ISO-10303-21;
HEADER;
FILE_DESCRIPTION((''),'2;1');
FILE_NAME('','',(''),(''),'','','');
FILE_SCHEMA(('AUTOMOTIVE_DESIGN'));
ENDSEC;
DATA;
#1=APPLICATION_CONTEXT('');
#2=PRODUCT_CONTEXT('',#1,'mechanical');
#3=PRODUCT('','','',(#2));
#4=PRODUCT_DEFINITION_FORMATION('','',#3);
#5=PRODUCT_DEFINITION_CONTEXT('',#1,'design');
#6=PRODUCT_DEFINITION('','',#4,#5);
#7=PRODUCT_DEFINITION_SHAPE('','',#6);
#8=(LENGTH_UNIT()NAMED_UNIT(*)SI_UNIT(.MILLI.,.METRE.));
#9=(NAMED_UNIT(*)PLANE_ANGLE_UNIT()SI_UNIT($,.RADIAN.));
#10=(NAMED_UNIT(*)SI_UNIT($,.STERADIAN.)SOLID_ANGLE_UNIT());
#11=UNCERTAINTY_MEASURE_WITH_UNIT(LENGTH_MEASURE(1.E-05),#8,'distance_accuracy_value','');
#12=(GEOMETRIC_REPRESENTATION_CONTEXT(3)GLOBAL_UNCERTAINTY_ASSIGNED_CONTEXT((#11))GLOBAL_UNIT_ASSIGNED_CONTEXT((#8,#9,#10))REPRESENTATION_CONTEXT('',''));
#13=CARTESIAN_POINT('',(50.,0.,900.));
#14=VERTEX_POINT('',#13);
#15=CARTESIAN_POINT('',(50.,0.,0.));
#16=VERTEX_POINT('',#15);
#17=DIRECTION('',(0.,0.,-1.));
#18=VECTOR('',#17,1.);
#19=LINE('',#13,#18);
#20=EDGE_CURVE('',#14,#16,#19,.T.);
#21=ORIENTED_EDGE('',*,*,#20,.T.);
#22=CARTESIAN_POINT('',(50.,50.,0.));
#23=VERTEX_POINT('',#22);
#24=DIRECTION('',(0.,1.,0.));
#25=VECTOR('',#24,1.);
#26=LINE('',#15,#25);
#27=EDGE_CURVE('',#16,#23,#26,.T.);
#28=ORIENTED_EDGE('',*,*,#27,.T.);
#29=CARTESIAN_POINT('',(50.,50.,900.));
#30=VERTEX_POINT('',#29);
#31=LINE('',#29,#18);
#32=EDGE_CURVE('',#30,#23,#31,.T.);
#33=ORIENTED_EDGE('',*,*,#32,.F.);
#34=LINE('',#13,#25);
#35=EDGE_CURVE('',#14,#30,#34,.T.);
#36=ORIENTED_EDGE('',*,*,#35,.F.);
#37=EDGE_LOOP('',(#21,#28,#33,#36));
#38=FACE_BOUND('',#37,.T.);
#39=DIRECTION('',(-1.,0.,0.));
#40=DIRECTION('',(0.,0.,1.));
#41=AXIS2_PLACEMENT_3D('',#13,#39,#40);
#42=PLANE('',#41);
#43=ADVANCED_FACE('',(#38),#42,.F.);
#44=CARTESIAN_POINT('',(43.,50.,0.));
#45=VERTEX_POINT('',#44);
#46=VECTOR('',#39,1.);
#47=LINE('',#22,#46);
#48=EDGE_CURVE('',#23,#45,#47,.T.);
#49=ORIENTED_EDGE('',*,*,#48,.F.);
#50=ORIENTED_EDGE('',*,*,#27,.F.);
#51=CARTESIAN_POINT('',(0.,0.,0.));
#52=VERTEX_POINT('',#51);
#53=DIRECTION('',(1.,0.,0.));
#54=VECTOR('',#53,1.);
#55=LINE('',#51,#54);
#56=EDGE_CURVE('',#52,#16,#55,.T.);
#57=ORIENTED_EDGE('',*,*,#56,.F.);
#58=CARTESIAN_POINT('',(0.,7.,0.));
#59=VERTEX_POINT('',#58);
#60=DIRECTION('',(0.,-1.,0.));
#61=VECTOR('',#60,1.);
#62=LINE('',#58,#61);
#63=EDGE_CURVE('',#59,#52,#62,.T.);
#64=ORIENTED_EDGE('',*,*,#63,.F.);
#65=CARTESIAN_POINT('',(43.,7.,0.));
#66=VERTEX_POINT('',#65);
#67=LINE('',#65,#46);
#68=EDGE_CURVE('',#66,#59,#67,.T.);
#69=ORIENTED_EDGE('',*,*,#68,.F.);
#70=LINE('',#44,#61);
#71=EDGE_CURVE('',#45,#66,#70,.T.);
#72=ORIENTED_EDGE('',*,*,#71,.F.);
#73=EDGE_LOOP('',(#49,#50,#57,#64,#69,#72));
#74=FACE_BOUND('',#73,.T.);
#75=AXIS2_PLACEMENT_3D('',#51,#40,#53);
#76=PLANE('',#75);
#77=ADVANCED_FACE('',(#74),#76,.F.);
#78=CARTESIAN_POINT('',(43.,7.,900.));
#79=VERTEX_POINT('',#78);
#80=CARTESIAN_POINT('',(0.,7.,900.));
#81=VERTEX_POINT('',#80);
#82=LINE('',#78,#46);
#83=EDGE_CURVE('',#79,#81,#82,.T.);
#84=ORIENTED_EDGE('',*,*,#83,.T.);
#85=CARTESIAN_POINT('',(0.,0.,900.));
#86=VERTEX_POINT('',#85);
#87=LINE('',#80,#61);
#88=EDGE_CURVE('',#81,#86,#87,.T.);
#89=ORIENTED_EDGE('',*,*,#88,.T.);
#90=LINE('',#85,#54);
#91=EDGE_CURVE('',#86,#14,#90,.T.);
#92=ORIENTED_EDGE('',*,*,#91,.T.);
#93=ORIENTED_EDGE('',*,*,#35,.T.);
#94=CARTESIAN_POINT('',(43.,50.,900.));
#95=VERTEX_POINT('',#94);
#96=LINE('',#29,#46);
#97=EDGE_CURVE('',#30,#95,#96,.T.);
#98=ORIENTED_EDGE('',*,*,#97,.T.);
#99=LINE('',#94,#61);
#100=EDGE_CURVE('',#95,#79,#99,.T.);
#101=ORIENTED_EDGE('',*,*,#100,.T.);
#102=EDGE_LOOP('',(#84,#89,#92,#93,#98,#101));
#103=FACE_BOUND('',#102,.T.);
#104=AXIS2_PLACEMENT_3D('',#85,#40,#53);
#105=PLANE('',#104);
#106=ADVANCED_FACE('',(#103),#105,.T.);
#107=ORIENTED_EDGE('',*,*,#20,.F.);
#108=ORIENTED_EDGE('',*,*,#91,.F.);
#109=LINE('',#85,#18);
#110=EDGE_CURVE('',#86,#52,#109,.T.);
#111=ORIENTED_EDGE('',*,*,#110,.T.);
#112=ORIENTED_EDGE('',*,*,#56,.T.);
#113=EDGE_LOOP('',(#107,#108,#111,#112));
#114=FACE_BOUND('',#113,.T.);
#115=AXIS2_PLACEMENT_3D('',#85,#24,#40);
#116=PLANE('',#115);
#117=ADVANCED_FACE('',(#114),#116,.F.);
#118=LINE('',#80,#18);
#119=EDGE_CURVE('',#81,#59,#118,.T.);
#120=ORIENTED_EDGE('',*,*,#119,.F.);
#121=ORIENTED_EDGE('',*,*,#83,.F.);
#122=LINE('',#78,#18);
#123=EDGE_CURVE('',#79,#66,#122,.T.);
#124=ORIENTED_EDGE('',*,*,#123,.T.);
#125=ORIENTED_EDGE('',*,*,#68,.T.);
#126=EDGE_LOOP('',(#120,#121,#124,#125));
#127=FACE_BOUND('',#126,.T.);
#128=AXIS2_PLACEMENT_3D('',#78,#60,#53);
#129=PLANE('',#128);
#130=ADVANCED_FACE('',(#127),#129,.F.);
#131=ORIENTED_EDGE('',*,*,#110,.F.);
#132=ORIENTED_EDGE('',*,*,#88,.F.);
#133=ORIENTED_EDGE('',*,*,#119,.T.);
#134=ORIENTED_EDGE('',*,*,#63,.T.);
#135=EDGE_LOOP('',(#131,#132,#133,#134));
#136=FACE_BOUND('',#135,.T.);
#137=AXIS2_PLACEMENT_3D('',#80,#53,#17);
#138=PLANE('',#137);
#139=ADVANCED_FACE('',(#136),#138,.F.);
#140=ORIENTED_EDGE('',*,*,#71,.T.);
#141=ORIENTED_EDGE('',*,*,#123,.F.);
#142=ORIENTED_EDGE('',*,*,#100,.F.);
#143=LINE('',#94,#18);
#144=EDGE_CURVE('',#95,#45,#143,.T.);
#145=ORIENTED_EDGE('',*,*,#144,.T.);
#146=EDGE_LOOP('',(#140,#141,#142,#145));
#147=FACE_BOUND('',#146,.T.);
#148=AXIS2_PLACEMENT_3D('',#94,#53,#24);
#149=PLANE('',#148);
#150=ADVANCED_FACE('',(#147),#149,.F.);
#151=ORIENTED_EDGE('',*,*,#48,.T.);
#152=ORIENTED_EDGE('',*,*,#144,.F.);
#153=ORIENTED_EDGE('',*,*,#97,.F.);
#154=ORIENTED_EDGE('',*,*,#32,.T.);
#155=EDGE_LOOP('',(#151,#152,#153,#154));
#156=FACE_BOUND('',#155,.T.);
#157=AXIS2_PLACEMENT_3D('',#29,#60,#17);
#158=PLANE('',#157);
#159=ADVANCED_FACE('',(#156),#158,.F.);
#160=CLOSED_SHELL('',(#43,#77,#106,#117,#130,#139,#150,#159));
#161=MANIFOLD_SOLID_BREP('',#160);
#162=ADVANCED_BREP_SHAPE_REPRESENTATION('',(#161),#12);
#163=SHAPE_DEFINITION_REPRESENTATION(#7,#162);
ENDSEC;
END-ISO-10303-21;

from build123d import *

# Parameters (mm, degrees)
BOSS_EXTRUDE1_DEPTH = 900


with BuildPart() as part:
    # Sketch1 → Boss-Extrude1 (new body)
    with BuildSketch(Plane.XY):
        Polygon((0, 0), (50, 0), (50, 50), (43, 50), (43, 7), (0, 7), align=None)
    extrude(amount=BOSS_EXTRUDE1_DEPTH)


solid = part.part
